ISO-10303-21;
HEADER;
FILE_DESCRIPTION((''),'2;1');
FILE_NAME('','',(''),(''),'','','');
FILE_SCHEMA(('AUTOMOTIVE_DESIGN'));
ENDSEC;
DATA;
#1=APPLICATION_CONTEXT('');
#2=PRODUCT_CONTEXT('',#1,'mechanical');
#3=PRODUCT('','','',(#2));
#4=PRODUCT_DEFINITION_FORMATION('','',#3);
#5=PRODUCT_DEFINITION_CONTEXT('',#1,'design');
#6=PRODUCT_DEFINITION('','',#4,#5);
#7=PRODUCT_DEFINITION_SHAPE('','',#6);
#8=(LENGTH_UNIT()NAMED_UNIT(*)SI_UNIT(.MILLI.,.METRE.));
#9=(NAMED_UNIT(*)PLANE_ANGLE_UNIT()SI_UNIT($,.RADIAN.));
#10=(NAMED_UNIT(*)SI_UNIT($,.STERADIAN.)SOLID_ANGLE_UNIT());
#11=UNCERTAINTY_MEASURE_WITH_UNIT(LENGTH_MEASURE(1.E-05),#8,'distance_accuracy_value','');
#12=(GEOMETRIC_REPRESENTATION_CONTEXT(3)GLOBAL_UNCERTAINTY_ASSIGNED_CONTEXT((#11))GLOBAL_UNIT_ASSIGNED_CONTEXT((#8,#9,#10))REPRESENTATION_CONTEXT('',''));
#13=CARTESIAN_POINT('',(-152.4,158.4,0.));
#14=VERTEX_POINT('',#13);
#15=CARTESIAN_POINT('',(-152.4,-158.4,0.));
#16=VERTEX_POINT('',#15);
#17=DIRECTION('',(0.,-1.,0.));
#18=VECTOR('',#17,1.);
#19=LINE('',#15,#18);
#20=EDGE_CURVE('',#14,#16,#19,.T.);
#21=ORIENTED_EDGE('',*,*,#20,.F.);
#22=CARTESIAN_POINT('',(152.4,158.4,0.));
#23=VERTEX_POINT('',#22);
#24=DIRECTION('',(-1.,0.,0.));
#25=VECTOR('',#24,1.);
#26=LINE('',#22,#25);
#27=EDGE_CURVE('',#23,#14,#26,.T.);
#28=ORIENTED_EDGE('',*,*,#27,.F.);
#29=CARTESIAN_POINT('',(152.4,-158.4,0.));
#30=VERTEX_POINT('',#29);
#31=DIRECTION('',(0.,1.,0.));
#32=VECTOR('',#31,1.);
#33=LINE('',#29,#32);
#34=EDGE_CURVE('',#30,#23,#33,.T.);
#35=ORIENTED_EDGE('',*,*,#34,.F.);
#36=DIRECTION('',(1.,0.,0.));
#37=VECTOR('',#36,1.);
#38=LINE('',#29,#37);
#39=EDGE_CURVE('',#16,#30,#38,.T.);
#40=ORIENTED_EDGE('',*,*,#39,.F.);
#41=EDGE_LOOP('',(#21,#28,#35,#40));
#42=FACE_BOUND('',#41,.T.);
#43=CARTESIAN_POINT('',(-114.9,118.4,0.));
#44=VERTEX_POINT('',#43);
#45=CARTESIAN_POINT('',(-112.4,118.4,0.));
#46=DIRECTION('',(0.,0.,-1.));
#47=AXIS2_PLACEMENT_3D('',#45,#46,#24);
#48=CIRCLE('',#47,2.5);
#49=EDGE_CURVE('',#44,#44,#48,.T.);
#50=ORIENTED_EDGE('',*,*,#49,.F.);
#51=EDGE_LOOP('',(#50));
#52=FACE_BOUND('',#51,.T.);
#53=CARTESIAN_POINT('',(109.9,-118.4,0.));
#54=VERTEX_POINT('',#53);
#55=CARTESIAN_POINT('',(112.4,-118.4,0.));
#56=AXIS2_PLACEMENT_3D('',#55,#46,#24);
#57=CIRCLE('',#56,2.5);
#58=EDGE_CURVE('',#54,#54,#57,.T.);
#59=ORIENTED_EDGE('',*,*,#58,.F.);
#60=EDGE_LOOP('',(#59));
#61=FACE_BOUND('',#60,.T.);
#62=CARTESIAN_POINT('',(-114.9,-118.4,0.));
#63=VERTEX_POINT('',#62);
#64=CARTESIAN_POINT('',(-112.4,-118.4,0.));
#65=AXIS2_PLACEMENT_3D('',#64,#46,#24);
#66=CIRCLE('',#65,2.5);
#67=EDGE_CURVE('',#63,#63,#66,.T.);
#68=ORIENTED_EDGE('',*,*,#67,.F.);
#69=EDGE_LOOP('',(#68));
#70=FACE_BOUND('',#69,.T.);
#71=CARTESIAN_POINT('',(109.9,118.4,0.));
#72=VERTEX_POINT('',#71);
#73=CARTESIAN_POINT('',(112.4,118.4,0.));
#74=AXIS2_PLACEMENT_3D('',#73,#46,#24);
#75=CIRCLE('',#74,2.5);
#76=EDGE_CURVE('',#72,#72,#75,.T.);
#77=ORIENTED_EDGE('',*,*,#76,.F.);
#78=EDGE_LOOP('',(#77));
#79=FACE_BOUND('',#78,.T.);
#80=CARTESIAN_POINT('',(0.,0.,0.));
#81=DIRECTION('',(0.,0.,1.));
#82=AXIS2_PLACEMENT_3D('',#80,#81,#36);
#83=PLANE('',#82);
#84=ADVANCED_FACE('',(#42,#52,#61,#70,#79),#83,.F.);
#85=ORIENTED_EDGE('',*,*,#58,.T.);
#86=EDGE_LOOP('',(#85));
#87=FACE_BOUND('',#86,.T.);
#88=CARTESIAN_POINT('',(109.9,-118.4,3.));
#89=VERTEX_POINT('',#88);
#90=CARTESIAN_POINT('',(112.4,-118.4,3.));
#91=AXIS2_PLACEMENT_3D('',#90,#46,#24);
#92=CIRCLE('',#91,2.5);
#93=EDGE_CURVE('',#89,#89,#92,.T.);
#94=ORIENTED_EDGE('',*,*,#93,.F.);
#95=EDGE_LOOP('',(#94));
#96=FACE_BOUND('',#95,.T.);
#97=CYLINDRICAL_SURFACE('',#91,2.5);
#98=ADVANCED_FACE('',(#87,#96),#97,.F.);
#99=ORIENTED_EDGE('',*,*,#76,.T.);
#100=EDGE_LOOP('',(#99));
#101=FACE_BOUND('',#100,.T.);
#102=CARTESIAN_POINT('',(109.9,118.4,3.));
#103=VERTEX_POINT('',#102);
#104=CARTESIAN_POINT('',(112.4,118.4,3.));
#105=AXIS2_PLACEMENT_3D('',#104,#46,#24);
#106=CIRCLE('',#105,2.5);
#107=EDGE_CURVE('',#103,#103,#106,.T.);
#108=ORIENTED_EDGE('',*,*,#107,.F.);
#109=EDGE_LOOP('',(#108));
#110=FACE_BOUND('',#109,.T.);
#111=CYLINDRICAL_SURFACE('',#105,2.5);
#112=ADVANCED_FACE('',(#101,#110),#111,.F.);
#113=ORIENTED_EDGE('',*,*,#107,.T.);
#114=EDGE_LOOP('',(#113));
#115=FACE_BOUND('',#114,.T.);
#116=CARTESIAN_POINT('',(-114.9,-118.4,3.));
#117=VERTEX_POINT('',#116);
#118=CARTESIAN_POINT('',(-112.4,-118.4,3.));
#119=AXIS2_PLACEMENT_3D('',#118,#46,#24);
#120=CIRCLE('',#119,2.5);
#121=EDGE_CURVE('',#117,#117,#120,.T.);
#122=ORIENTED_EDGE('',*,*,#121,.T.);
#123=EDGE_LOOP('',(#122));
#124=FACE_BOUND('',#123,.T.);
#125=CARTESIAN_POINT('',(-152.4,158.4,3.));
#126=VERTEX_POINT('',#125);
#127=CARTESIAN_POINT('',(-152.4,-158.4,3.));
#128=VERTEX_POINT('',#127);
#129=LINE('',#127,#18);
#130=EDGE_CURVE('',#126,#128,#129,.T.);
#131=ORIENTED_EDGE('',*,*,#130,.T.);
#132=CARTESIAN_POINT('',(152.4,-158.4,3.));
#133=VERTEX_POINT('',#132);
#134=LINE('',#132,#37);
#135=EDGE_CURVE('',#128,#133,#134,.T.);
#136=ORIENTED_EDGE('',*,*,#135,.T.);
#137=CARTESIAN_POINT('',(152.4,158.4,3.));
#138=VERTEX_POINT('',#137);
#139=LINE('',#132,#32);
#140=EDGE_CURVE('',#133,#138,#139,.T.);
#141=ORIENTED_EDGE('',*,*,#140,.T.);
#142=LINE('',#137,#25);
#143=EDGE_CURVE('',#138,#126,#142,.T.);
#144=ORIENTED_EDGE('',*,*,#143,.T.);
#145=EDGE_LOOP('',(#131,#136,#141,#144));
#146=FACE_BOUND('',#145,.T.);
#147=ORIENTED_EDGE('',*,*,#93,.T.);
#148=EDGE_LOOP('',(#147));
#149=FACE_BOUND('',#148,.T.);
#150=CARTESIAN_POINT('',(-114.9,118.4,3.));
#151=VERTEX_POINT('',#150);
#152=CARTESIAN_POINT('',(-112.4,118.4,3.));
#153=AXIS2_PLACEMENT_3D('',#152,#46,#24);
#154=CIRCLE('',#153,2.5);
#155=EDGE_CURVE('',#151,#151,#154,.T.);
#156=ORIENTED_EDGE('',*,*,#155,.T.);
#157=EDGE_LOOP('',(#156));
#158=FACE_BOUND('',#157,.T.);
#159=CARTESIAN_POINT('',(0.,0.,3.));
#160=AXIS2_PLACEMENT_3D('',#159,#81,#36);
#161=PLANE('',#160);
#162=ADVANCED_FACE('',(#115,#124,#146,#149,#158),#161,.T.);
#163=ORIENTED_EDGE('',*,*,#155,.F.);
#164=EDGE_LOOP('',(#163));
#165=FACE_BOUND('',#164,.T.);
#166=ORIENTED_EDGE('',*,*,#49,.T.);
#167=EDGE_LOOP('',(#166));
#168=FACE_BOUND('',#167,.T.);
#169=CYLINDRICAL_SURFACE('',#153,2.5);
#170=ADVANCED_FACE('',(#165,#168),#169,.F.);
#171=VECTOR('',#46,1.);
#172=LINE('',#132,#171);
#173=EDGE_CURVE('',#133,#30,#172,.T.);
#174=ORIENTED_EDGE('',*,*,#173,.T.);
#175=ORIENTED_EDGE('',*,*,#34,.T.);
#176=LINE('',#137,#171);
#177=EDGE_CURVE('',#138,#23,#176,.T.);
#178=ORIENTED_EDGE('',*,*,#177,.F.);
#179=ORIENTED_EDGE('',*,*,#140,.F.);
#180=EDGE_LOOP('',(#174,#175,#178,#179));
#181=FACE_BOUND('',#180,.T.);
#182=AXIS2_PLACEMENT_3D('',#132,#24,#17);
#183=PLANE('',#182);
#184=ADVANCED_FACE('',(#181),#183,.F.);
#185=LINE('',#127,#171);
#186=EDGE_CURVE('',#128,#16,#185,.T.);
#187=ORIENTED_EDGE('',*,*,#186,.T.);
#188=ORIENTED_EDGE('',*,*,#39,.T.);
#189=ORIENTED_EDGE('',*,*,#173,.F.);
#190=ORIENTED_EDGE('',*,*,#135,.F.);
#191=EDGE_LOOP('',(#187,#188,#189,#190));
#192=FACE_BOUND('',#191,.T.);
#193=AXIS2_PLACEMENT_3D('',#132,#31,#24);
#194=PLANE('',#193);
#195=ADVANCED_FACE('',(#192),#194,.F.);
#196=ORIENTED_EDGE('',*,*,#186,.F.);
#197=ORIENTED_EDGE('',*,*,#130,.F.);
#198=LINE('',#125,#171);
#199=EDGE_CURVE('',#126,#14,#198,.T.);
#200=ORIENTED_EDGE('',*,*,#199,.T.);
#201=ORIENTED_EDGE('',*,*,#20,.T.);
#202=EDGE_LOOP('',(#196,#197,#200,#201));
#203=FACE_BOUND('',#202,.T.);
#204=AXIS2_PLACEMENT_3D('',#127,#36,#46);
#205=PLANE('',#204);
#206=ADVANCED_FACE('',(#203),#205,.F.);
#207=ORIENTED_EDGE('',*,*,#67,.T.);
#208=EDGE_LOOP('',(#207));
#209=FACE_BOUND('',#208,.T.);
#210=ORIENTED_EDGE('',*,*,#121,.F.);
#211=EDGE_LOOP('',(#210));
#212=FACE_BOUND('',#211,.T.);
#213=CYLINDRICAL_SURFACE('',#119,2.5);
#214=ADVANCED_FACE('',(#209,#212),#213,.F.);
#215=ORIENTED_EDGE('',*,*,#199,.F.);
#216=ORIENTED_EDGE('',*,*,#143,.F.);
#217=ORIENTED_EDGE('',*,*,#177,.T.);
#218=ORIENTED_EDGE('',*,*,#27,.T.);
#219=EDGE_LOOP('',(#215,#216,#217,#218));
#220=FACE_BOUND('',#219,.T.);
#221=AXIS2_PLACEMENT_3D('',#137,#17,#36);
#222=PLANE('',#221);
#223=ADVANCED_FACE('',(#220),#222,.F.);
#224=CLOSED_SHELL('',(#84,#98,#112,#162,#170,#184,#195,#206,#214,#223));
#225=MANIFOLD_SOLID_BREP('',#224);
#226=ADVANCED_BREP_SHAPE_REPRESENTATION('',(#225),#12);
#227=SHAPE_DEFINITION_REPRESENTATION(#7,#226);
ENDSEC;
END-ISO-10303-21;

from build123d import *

# Parameters (mm, degrees)
SKETCH1_W           = 304.8
SKETCH1_H           = 316.8
BOSS_EXTRUDE1_DEPTH = 3
SKETCH2_R           = 2.5
CUT_EXTRUDE1_DEPTH  = 220.830207205


with BuildPart() as part:
    # Sketch1 → Boss-Extrude1 (new body)
    with BuildSketch(Plane.XY):
        Rectangle(SKETCH1_W, SKETCH1_H)
    extrude(amount=BOSS_EXTRUDE1_DEPTH)

    # Sketch2 → Cut-Extrude1 (cut, through all)
    with BuildSketch(Plane(origin=(0, 0, 0), x_dir=(-1, 0, 0), z_dir=(0, 0, -1))):
        with Locations((-112.4, 118.4)):
            Circle(SKETCH2_R)
        with Locations((112.4, 118.4)):
            Circle(SKETCH2_R)
        with Locations((112.4, -118.4)):
            Circle(SKETCH2_R)
        with Locations((-112.4, -118.4)):
            Circle(SKETCH2_R)
    extrude(amount=-CUT_EXTRUDE1_DEPTH, mode=Mode.SUBTRACT)


solid = part.part
